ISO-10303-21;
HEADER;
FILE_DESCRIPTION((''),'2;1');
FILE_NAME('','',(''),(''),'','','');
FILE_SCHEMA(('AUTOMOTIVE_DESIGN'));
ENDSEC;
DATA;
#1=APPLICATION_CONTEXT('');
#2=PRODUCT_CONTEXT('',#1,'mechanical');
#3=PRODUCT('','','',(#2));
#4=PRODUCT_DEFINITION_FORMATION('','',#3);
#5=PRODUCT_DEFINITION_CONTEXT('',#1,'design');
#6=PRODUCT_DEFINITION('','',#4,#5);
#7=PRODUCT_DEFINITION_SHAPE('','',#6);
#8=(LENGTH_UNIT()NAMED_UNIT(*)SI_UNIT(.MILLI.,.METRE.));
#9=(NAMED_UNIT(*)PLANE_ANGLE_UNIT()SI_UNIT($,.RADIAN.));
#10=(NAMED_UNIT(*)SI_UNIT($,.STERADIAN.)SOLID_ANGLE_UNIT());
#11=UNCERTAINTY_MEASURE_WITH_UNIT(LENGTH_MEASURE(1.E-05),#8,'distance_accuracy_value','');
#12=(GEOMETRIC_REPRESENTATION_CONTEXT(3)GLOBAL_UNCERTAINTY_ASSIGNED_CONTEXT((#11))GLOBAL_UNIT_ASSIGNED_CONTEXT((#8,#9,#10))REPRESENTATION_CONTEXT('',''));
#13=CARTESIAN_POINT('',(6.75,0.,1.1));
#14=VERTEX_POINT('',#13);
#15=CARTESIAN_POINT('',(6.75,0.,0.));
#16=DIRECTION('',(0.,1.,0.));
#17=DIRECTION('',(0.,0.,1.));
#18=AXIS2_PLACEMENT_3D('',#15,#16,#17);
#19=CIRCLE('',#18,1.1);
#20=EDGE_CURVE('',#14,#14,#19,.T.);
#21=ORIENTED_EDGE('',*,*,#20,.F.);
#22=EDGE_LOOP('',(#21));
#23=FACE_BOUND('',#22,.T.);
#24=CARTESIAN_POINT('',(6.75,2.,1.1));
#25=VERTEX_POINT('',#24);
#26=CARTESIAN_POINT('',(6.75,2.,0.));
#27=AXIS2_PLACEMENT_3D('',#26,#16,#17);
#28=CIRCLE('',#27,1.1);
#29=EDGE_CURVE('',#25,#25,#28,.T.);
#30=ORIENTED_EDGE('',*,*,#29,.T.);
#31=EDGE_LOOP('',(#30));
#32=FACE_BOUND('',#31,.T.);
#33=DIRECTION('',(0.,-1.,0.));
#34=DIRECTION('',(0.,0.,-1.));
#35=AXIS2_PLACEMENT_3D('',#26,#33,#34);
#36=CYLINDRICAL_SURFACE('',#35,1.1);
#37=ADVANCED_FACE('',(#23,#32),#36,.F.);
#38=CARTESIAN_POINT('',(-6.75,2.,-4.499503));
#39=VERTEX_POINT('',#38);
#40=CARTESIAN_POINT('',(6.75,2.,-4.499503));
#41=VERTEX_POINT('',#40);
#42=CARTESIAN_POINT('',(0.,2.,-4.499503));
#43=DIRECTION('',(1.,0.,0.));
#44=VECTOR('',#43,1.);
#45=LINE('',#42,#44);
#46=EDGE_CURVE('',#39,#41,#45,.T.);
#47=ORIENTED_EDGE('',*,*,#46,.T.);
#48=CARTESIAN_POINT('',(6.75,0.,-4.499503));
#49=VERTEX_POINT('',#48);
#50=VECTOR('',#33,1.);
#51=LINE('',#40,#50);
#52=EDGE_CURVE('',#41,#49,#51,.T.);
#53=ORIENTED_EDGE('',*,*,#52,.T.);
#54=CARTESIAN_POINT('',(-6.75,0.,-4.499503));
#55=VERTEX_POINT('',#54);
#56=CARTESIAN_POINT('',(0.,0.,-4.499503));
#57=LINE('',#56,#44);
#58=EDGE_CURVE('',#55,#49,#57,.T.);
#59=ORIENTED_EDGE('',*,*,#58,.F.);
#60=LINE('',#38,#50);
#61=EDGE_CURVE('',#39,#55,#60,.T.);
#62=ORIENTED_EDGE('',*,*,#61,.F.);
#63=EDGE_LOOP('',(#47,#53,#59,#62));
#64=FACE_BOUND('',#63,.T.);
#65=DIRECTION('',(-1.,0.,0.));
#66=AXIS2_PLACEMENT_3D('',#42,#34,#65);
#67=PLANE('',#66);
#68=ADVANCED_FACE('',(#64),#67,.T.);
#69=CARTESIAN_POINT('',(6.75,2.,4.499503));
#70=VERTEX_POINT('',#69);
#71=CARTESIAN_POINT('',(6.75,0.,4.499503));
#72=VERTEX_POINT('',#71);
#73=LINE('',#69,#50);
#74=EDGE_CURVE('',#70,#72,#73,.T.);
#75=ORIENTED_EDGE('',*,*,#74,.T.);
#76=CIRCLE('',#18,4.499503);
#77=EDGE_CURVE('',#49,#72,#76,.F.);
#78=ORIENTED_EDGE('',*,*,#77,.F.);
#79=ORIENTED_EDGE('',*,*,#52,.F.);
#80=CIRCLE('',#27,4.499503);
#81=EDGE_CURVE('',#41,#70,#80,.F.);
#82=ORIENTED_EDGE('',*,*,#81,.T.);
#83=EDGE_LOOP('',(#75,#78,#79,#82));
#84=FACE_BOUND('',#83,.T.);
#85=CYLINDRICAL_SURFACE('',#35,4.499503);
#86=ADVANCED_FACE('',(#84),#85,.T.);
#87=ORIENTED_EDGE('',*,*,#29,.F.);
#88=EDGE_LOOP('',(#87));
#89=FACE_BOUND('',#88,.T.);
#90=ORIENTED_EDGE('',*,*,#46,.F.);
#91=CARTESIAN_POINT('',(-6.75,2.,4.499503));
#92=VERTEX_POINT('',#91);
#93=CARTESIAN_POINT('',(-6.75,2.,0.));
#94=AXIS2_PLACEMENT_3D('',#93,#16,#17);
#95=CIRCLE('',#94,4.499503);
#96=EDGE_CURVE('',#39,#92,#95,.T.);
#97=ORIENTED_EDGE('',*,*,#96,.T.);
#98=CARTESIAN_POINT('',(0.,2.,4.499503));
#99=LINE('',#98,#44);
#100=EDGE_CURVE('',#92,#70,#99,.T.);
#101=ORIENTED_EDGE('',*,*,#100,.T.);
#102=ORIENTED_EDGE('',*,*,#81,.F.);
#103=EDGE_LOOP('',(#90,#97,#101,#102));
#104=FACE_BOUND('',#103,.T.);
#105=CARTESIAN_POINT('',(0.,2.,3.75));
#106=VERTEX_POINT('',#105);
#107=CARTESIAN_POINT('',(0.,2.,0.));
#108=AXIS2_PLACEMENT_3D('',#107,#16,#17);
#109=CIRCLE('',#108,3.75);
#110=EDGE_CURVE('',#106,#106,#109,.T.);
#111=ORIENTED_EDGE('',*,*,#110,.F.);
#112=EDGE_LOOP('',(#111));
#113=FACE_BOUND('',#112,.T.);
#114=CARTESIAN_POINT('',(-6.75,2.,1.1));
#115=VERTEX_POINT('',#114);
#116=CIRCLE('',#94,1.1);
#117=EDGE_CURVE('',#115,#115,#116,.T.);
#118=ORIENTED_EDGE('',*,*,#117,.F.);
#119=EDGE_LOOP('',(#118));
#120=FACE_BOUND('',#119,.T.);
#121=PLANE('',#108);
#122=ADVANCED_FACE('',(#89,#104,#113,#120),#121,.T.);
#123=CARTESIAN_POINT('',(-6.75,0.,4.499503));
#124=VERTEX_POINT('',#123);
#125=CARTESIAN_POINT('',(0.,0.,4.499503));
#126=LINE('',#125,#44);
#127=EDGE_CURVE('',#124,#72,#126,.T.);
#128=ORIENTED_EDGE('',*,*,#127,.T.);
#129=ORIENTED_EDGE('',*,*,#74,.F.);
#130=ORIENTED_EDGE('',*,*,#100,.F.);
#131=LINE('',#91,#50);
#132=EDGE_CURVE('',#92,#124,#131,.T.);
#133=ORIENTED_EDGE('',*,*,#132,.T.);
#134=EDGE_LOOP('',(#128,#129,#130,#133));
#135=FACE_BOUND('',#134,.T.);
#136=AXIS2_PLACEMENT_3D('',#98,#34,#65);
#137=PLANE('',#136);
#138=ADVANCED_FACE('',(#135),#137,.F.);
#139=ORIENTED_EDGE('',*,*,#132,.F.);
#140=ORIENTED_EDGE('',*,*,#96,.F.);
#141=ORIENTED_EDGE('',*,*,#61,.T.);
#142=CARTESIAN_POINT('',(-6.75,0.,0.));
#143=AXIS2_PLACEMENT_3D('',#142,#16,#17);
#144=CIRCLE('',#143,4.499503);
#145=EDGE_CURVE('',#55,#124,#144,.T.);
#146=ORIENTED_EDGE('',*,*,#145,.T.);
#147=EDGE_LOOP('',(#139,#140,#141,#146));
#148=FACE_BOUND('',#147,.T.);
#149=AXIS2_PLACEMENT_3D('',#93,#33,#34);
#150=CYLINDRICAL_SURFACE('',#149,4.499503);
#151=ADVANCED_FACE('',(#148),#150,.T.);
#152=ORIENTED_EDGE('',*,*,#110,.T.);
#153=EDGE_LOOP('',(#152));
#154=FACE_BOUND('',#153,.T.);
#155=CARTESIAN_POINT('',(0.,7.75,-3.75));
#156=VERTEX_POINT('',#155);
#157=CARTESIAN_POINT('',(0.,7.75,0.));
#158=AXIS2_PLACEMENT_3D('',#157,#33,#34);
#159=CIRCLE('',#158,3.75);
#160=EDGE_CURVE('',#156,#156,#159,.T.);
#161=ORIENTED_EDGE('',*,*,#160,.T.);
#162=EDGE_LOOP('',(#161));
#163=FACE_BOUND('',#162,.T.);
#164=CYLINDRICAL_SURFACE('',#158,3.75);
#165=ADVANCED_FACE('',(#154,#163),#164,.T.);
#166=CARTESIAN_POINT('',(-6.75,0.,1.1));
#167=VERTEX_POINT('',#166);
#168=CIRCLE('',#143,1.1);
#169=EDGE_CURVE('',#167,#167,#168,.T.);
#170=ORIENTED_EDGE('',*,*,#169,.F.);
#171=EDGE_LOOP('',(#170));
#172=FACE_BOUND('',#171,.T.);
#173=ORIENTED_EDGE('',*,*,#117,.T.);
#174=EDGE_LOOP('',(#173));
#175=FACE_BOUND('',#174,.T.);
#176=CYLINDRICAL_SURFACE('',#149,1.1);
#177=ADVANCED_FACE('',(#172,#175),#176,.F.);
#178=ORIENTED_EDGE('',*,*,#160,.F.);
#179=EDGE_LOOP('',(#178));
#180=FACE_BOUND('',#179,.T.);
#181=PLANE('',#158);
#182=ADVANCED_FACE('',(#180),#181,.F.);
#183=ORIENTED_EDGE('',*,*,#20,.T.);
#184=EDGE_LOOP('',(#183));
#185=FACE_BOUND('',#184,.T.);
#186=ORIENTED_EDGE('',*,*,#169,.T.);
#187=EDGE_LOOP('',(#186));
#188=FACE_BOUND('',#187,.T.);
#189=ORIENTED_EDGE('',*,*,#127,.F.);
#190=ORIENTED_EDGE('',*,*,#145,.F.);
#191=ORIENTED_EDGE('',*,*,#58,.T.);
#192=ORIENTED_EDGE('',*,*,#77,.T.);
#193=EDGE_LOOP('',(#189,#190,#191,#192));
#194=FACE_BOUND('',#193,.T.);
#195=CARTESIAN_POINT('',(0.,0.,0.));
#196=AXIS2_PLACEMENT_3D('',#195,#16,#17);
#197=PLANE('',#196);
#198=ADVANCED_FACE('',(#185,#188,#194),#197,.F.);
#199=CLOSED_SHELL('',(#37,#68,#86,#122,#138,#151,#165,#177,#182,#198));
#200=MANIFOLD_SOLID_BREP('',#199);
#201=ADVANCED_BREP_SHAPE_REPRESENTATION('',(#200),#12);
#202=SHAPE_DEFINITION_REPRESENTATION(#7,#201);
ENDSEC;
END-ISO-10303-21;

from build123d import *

# Parameters (mm, degrees)
SKETCH1_R           = 1.1
SKETCH1_R_2         = 3.75
BOSS_EXTRUDE3_DEPTH = 2
SKETCH3_R           = 3.75
BOSS_EXTRUDE4_DEPTH = 7.75


with BuildPart() as part:
    # Sketch1 → Boss-Extrude3 (new body)
    with BuildSketch(Plane(origin=(0, 0, 0), x_dir=(1, 0, 0), z_dir=(0, 1, 0))):
        with BuildLine():
            Line((-6.75, 4.499502967), (6.75, 4.499502967))
            ThreePointArc((6.75, 4.499502967), (11.249502967, 0), (6.75, -4.499502967))
            Line((6.75, -4.499502967), (-6.75, -4.499502967))
            ThreePointArc((-6.75, -4.499502967), (-11.249502967, 0), (-6.75, 4.499502967))
        make_face()
        with Locations((-6.75, 0)):
            Circle(SKETCH1_R, mode=Mode.SUBTRACT)
        with Locations((6.75, 0)):
            Circle(SKETCH1_R, mode=Mode.SUBTRACT)
        Circle(SKETCH1_R_2, mode=Mode.SUBTRACT)
    extrude(amount=BOSS_EXTRUDE3_DEPTH)

    # Sketch3 → Boss-Extrude4 (add)
    with BuildSketch(Plane.XZ):
        Circle(SKETCH3_R)
    extrude(amount=-BOSS_EXTRUDE4_DEPTH)


solid = part.part
